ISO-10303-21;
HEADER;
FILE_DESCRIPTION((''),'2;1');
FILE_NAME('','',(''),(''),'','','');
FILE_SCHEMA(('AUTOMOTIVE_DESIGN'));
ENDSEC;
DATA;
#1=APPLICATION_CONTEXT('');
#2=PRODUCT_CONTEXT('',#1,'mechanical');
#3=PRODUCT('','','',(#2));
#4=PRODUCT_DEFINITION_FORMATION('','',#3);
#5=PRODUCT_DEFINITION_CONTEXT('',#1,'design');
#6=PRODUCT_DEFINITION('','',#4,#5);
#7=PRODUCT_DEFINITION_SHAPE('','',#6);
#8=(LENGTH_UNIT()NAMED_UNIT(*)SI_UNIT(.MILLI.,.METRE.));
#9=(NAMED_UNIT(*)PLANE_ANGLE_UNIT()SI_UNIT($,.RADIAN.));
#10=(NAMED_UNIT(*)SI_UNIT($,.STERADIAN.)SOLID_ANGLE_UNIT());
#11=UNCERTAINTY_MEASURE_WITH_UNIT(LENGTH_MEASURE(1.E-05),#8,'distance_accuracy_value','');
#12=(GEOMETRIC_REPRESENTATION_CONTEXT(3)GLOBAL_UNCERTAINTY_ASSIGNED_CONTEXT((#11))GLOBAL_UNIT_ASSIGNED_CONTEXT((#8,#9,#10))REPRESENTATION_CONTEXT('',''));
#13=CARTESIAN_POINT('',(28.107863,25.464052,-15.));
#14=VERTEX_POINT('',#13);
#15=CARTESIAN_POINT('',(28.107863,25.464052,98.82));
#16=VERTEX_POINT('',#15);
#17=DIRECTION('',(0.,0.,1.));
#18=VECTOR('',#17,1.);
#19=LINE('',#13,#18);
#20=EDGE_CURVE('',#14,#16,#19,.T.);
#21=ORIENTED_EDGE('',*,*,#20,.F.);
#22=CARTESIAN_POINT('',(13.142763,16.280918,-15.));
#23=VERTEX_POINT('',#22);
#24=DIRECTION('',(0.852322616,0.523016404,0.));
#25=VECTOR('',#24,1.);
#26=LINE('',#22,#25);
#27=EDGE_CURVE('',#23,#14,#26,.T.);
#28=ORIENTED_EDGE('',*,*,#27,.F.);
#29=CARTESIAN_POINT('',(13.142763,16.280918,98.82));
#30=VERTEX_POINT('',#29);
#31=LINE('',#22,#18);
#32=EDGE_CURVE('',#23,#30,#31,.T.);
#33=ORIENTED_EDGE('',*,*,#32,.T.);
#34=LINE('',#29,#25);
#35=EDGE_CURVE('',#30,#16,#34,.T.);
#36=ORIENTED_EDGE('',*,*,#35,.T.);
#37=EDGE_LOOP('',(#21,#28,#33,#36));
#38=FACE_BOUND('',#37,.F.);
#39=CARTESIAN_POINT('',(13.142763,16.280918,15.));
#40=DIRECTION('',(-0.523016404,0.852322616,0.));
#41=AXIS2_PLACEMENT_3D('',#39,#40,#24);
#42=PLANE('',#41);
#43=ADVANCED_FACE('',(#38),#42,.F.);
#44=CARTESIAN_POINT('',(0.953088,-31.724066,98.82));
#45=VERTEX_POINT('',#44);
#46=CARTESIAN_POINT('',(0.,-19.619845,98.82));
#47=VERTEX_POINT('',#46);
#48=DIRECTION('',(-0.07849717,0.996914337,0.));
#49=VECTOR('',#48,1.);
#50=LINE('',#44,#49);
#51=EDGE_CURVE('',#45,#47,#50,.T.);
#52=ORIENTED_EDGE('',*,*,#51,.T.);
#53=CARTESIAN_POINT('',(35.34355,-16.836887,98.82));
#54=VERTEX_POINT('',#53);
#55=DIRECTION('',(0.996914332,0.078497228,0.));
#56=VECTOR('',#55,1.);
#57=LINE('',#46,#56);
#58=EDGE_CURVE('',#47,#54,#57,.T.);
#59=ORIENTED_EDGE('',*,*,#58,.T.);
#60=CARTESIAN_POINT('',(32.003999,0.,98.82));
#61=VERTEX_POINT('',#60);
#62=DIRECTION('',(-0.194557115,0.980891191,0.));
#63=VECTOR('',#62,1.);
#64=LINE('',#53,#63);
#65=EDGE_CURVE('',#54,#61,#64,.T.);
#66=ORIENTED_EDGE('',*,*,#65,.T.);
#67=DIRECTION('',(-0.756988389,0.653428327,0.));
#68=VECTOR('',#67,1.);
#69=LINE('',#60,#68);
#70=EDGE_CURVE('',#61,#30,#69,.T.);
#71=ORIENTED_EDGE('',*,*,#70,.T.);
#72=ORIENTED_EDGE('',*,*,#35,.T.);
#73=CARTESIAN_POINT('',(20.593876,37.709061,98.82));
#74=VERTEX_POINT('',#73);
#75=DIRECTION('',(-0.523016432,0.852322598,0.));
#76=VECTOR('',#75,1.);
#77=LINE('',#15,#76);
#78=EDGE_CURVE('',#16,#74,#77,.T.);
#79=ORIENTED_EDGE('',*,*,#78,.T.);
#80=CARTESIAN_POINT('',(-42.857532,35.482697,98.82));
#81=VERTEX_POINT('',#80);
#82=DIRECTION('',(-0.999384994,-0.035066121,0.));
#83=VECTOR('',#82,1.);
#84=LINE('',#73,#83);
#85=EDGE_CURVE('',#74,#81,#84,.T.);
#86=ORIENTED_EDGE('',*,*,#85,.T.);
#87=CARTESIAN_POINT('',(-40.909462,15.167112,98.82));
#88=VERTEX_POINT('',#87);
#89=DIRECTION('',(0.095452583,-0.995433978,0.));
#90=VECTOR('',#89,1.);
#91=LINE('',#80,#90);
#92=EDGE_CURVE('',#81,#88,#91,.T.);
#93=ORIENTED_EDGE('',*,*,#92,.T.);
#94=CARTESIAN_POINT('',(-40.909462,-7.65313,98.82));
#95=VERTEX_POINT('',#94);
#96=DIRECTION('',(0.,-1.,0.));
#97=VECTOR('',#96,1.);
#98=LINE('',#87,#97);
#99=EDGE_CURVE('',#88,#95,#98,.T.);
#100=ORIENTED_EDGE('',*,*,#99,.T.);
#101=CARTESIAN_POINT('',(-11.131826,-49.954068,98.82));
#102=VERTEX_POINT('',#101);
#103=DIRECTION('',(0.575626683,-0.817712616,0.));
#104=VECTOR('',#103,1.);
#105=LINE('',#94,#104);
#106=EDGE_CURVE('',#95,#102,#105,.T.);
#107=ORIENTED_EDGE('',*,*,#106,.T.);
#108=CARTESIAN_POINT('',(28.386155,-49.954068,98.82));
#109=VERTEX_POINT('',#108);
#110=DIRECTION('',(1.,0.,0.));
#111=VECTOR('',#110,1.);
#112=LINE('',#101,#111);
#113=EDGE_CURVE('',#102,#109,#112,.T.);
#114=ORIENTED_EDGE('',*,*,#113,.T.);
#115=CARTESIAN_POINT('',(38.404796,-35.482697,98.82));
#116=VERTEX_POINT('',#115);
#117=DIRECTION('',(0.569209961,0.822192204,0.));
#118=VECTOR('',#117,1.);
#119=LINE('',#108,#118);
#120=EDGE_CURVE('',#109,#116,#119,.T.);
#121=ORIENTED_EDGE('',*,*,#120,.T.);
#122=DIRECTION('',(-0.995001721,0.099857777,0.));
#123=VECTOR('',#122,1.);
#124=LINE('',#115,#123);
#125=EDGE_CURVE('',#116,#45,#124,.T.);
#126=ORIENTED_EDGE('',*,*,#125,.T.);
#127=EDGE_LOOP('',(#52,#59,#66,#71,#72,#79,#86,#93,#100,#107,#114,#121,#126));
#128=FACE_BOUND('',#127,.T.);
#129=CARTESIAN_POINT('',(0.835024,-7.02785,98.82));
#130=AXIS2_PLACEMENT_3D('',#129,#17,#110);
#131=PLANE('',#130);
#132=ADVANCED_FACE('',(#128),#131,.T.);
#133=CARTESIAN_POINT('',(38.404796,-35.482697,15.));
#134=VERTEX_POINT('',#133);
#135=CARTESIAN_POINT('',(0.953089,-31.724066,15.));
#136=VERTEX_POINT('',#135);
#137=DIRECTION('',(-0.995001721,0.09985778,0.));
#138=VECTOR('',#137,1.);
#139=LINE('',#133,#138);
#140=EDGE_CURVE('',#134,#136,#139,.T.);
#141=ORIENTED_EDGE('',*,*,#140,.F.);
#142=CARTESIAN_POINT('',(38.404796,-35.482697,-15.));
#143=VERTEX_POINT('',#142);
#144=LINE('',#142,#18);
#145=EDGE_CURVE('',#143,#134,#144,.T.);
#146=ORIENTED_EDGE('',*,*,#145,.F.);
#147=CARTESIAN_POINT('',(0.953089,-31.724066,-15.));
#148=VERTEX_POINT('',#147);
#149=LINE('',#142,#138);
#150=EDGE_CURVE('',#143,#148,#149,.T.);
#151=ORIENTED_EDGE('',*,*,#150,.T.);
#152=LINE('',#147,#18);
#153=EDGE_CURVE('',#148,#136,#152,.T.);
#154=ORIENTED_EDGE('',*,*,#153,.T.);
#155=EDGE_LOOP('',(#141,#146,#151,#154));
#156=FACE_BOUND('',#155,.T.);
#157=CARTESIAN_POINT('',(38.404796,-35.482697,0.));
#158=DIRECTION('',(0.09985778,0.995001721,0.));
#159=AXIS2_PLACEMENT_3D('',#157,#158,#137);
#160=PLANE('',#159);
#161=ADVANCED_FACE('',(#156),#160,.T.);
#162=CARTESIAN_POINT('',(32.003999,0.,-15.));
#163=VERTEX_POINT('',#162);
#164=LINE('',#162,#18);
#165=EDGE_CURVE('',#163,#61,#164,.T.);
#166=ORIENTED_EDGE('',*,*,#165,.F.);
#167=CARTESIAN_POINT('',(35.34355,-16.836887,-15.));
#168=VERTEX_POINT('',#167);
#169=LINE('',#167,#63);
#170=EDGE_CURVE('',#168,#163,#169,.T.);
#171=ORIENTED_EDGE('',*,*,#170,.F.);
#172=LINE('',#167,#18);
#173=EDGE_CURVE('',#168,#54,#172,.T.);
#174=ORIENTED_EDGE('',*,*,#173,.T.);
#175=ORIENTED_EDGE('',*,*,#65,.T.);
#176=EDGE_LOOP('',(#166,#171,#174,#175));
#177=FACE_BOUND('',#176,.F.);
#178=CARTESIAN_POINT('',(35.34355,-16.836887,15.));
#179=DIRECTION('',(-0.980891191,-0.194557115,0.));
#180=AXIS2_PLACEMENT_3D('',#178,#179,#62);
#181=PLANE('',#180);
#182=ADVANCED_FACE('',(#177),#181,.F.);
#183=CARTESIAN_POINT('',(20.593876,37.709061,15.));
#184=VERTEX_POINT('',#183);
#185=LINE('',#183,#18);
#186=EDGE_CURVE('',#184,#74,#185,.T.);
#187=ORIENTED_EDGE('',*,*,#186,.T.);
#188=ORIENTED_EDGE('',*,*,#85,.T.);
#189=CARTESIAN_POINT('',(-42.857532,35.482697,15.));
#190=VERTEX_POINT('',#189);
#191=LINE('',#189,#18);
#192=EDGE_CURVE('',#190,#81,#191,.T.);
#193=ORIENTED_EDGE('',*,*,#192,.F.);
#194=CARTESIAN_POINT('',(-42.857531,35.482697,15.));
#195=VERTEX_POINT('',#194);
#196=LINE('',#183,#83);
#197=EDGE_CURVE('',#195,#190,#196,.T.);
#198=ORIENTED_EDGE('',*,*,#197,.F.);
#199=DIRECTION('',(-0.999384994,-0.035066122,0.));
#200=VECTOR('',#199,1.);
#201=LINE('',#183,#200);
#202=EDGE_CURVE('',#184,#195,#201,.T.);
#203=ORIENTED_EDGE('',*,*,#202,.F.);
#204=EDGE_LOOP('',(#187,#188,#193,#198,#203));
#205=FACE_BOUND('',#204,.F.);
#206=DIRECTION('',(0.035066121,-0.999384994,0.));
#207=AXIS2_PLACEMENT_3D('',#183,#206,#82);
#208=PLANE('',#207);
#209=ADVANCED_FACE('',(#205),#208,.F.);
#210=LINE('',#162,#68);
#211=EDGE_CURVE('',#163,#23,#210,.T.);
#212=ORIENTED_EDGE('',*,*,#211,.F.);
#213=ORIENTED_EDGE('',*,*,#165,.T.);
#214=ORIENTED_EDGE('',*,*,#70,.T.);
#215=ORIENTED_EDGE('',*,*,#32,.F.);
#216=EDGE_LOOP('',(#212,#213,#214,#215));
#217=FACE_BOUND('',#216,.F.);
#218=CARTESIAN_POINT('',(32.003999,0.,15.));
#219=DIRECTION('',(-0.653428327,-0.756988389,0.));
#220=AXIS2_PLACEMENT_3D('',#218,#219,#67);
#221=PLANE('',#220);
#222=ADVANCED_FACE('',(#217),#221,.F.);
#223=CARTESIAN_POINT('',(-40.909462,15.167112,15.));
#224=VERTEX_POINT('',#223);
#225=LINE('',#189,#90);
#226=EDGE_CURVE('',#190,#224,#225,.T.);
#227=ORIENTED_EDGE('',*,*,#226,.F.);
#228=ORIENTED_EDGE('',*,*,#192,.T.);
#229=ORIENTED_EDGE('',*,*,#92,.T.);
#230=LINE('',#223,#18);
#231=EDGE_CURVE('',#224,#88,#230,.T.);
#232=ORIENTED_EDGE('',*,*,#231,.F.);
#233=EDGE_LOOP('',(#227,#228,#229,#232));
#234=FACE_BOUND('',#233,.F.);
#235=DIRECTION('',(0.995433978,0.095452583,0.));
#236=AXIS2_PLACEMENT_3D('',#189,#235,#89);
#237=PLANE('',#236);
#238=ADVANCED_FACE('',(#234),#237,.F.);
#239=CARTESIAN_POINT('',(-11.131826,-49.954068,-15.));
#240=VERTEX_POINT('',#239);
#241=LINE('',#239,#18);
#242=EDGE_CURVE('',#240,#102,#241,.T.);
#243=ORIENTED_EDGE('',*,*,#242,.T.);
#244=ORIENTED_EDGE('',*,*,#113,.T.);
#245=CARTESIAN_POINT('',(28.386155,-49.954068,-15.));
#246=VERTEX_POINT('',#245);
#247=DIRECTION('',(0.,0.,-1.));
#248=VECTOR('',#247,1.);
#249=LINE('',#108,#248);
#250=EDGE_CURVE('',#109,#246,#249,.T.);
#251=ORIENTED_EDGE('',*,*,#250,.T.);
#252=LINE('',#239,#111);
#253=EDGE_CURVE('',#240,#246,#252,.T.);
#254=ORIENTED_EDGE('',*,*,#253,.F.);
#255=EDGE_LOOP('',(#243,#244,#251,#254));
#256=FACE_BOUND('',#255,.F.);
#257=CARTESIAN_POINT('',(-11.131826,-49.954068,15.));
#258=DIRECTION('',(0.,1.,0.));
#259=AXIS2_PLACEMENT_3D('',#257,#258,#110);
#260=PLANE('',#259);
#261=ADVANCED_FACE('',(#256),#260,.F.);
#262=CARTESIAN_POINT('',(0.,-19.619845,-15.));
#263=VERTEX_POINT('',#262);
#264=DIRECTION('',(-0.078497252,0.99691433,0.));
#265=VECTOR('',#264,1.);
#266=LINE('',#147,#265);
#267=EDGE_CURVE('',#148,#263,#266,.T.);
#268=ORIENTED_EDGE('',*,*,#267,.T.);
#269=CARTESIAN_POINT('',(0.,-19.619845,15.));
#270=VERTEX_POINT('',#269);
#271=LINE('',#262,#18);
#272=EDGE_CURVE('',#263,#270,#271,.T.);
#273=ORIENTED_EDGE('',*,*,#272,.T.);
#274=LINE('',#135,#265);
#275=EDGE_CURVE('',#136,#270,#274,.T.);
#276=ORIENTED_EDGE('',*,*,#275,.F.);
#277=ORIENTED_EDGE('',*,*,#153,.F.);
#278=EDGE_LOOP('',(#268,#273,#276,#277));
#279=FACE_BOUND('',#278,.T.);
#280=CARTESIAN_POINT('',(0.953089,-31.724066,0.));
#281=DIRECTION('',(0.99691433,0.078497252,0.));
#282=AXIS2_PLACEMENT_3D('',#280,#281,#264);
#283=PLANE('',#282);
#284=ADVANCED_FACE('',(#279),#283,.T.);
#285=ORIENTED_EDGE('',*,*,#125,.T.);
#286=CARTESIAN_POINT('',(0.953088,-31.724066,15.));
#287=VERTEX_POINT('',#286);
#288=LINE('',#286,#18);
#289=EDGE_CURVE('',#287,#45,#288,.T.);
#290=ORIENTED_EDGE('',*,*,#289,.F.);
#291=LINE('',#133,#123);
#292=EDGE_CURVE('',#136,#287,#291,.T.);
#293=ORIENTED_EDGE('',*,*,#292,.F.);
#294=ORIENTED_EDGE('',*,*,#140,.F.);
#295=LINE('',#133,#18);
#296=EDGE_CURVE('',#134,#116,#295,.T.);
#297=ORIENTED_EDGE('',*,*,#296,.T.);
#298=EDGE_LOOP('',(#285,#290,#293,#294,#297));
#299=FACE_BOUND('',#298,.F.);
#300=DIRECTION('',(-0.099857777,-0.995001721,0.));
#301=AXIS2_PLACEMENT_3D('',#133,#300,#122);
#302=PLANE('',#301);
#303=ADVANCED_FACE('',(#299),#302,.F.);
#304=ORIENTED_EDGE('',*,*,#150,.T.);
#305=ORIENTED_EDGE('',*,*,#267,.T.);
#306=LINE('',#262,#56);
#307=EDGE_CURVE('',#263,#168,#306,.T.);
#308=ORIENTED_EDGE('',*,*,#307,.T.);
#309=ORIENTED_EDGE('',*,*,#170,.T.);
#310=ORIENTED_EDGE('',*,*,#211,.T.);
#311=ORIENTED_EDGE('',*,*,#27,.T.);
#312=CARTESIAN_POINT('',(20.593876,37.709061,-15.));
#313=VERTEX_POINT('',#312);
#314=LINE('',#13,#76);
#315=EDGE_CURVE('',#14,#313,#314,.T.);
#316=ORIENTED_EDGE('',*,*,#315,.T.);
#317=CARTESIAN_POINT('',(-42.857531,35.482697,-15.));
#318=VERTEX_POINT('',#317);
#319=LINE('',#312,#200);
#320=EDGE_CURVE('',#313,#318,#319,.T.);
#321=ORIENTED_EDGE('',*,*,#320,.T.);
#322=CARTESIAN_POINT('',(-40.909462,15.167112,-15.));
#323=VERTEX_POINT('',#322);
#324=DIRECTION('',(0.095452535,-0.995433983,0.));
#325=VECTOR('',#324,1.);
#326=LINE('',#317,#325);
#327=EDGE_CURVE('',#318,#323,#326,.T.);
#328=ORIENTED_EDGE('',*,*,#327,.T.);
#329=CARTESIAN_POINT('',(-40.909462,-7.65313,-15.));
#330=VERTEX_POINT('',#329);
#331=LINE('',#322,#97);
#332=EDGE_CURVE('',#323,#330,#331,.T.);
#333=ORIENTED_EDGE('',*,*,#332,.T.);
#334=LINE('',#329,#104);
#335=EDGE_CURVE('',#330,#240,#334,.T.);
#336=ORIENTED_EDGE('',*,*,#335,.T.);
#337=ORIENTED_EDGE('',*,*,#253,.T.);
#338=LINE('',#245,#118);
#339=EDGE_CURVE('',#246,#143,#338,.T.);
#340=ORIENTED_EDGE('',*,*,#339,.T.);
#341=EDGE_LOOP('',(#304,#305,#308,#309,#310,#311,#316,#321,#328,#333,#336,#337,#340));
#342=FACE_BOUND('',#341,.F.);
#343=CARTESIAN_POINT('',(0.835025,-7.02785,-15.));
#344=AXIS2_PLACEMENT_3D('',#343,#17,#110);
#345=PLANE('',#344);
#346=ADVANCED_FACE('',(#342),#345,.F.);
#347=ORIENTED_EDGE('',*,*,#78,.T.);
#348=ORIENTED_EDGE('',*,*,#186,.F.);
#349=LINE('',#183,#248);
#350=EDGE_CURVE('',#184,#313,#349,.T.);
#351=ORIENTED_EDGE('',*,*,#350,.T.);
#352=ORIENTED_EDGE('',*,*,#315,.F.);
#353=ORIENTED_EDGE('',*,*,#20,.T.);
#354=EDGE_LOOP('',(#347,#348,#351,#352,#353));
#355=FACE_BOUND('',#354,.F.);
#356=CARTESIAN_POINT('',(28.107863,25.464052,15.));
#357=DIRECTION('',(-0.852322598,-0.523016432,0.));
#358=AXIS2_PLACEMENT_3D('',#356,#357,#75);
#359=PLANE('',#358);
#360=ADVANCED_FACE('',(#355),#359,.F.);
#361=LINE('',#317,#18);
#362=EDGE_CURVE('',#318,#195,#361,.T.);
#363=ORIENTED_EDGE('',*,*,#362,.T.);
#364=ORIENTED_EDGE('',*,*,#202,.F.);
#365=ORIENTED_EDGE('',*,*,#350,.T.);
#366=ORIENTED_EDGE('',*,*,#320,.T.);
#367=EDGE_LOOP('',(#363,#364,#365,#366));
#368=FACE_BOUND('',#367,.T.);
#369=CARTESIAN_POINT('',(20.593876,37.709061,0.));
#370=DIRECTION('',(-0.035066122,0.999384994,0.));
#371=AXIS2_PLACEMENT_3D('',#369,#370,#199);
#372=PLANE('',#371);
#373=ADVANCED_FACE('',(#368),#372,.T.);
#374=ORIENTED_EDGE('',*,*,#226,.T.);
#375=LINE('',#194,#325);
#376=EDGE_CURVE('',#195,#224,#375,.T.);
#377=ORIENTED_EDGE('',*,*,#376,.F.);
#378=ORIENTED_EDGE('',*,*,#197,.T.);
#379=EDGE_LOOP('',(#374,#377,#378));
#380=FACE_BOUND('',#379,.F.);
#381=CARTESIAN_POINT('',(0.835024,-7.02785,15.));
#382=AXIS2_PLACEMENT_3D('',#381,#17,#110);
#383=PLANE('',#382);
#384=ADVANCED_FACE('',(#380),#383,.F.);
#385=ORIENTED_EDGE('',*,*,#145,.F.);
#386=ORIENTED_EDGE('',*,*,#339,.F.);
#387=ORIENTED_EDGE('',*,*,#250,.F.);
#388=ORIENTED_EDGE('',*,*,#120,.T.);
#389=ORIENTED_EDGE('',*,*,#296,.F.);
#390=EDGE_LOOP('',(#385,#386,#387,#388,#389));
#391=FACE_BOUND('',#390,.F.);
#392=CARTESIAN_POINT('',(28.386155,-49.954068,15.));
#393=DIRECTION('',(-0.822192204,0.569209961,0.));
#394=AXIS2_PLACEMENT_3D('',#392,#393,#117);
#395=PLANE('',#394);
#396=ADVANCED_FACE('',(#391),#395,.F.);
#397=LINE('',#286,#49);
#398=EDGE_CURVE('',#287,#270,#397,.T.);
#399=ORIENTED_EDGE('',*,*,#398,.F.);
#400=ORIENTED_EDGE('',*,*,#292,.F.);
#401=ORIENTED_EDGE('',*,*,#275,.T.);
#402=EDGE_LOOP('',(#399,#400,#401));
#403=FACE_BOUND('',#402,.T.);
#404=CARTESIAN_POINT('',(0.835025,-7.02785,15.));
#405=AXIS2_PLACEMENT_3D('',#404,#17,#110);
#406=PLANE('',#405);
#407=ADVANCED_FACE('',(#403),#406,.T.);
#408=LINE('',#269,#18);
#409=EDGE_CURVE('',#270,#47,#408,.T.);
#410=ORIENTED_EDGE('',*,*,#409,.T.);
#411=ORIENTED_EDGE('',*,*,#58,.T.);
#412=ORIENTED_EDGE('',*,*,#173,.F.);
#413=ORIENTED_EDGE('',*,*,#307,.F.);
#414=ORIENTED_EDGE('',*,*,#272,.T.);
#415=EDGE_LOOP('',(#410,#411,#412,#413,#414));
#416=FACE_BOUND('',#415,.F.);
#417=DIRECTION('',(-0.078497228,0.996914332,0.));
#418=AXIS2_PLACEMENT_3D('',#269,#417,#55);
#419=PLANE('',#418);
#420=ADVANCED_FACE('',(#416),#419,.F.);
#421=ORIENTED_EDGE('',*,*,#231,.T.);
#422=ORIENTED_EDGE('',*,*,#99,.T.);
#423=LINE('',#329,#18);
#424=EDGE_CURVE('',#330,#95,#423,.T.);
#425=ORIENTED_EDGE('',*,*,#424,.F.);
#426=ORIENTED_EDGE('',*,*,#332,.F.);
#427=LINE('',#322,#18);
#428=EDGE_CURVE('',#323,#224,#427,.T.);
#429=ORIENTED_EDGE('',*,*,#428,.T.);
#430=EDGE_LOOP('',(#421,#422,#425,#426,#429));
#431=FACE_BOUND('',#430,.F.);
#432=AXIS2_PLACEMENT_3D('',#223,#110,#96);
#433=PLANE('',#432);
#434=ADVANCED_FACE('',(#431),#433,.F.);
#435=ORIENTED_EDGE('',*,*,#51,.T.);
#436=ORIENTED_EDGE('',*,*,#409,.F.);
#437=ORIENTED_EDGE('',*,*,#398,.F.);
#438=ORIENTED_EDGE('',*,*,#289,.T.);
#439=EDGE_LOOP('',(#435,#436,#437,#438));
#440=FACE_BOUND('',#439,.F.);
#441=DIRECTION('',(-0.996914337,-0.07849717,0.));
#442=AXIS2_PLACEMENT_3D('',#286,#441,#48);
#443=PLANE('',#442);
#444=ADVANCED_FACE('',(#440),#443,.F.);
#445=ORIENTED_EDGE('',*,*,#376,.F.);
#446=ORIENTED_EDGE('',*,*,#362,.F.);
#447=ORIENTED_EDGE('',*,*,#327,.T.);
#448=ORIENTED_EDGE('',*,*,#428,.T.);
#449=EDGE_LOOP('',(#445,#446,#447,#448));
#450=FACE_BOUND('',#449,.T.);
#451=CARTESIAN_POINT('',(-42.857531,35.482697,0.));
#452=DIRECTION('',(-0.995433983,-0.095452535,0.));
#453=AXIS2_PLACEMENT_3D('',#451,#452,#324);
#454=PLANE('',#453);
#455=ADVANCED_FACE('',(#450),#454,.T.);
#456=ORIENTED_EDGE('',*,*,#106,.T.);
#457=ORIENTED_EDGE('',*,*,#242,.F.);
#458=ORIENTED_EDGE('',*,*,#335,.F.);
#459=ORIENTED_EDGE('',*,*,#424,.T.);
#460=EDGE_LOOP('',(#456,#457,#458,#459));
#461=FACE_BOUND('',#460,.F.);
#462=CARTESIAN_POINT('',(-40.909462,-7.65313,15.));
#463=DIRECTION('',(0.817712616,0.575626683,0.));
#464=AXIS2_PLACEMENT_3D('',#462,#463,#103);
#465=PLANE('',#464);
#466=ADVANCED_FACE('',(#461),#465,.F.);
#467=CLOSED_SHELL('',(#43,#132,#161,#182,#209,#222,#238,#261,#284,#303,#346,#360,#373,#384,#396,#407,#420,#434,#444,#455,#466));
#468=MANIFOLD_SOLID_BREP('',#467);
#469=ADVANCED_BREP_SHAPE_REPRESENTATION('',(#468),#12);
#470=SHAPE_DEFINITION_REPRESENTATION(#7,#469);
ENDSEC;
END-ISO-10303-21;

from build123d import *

# Parameters (mm, degrees)
F1_DEPTH = 15
F2_DEPTH = 83.82


with BuildPart() as f1:
    # F0 (on Top) → F1 (new body, symmetric)
    with BuildSketch(Plane.XY):
        Polygon((20.593876, 37.709061), (-42.857531, 35.482697), (-40.909462, 15.167112), (-40.909462, -7.65313), (-11.131826, -49.954068), (28.386155, -49.954068), (38.404796, -35.482697), (0.953089, -31.724066), (0, -19.619845), (35.34355, -16.836887), (32.003999, 0), (13.142763, 16.280918), (28.107863, 25.464052), align=None)
    extrude(amount=F1_DEPTH, both=True)

    # F1_face (on face) → F2 (join)
    with BuildSketch(Plane(origin=(-4.856756, -2.869367, 15), x_dir=(1, 0, 0), z_dir=(0, 0, 1))):
        Polygon((5.809844, -28.854699), (4.856756, -16.750478), (40.200306, -13.96752), (36.860755, 2.869367), (17.999519, 19.150285), (32.964619, 28.333419), (25.450632, 40.578428), (-38.000776, 38.352064), (-36.052706, 18.036479), (-36.052706, -4.783763), (-6.27507, -47.084701), (33.242911, -47.084701), (43.261552, -32.61333), align=None)
    extrude(amount=F2_DEPTH)


solid = f1.part
